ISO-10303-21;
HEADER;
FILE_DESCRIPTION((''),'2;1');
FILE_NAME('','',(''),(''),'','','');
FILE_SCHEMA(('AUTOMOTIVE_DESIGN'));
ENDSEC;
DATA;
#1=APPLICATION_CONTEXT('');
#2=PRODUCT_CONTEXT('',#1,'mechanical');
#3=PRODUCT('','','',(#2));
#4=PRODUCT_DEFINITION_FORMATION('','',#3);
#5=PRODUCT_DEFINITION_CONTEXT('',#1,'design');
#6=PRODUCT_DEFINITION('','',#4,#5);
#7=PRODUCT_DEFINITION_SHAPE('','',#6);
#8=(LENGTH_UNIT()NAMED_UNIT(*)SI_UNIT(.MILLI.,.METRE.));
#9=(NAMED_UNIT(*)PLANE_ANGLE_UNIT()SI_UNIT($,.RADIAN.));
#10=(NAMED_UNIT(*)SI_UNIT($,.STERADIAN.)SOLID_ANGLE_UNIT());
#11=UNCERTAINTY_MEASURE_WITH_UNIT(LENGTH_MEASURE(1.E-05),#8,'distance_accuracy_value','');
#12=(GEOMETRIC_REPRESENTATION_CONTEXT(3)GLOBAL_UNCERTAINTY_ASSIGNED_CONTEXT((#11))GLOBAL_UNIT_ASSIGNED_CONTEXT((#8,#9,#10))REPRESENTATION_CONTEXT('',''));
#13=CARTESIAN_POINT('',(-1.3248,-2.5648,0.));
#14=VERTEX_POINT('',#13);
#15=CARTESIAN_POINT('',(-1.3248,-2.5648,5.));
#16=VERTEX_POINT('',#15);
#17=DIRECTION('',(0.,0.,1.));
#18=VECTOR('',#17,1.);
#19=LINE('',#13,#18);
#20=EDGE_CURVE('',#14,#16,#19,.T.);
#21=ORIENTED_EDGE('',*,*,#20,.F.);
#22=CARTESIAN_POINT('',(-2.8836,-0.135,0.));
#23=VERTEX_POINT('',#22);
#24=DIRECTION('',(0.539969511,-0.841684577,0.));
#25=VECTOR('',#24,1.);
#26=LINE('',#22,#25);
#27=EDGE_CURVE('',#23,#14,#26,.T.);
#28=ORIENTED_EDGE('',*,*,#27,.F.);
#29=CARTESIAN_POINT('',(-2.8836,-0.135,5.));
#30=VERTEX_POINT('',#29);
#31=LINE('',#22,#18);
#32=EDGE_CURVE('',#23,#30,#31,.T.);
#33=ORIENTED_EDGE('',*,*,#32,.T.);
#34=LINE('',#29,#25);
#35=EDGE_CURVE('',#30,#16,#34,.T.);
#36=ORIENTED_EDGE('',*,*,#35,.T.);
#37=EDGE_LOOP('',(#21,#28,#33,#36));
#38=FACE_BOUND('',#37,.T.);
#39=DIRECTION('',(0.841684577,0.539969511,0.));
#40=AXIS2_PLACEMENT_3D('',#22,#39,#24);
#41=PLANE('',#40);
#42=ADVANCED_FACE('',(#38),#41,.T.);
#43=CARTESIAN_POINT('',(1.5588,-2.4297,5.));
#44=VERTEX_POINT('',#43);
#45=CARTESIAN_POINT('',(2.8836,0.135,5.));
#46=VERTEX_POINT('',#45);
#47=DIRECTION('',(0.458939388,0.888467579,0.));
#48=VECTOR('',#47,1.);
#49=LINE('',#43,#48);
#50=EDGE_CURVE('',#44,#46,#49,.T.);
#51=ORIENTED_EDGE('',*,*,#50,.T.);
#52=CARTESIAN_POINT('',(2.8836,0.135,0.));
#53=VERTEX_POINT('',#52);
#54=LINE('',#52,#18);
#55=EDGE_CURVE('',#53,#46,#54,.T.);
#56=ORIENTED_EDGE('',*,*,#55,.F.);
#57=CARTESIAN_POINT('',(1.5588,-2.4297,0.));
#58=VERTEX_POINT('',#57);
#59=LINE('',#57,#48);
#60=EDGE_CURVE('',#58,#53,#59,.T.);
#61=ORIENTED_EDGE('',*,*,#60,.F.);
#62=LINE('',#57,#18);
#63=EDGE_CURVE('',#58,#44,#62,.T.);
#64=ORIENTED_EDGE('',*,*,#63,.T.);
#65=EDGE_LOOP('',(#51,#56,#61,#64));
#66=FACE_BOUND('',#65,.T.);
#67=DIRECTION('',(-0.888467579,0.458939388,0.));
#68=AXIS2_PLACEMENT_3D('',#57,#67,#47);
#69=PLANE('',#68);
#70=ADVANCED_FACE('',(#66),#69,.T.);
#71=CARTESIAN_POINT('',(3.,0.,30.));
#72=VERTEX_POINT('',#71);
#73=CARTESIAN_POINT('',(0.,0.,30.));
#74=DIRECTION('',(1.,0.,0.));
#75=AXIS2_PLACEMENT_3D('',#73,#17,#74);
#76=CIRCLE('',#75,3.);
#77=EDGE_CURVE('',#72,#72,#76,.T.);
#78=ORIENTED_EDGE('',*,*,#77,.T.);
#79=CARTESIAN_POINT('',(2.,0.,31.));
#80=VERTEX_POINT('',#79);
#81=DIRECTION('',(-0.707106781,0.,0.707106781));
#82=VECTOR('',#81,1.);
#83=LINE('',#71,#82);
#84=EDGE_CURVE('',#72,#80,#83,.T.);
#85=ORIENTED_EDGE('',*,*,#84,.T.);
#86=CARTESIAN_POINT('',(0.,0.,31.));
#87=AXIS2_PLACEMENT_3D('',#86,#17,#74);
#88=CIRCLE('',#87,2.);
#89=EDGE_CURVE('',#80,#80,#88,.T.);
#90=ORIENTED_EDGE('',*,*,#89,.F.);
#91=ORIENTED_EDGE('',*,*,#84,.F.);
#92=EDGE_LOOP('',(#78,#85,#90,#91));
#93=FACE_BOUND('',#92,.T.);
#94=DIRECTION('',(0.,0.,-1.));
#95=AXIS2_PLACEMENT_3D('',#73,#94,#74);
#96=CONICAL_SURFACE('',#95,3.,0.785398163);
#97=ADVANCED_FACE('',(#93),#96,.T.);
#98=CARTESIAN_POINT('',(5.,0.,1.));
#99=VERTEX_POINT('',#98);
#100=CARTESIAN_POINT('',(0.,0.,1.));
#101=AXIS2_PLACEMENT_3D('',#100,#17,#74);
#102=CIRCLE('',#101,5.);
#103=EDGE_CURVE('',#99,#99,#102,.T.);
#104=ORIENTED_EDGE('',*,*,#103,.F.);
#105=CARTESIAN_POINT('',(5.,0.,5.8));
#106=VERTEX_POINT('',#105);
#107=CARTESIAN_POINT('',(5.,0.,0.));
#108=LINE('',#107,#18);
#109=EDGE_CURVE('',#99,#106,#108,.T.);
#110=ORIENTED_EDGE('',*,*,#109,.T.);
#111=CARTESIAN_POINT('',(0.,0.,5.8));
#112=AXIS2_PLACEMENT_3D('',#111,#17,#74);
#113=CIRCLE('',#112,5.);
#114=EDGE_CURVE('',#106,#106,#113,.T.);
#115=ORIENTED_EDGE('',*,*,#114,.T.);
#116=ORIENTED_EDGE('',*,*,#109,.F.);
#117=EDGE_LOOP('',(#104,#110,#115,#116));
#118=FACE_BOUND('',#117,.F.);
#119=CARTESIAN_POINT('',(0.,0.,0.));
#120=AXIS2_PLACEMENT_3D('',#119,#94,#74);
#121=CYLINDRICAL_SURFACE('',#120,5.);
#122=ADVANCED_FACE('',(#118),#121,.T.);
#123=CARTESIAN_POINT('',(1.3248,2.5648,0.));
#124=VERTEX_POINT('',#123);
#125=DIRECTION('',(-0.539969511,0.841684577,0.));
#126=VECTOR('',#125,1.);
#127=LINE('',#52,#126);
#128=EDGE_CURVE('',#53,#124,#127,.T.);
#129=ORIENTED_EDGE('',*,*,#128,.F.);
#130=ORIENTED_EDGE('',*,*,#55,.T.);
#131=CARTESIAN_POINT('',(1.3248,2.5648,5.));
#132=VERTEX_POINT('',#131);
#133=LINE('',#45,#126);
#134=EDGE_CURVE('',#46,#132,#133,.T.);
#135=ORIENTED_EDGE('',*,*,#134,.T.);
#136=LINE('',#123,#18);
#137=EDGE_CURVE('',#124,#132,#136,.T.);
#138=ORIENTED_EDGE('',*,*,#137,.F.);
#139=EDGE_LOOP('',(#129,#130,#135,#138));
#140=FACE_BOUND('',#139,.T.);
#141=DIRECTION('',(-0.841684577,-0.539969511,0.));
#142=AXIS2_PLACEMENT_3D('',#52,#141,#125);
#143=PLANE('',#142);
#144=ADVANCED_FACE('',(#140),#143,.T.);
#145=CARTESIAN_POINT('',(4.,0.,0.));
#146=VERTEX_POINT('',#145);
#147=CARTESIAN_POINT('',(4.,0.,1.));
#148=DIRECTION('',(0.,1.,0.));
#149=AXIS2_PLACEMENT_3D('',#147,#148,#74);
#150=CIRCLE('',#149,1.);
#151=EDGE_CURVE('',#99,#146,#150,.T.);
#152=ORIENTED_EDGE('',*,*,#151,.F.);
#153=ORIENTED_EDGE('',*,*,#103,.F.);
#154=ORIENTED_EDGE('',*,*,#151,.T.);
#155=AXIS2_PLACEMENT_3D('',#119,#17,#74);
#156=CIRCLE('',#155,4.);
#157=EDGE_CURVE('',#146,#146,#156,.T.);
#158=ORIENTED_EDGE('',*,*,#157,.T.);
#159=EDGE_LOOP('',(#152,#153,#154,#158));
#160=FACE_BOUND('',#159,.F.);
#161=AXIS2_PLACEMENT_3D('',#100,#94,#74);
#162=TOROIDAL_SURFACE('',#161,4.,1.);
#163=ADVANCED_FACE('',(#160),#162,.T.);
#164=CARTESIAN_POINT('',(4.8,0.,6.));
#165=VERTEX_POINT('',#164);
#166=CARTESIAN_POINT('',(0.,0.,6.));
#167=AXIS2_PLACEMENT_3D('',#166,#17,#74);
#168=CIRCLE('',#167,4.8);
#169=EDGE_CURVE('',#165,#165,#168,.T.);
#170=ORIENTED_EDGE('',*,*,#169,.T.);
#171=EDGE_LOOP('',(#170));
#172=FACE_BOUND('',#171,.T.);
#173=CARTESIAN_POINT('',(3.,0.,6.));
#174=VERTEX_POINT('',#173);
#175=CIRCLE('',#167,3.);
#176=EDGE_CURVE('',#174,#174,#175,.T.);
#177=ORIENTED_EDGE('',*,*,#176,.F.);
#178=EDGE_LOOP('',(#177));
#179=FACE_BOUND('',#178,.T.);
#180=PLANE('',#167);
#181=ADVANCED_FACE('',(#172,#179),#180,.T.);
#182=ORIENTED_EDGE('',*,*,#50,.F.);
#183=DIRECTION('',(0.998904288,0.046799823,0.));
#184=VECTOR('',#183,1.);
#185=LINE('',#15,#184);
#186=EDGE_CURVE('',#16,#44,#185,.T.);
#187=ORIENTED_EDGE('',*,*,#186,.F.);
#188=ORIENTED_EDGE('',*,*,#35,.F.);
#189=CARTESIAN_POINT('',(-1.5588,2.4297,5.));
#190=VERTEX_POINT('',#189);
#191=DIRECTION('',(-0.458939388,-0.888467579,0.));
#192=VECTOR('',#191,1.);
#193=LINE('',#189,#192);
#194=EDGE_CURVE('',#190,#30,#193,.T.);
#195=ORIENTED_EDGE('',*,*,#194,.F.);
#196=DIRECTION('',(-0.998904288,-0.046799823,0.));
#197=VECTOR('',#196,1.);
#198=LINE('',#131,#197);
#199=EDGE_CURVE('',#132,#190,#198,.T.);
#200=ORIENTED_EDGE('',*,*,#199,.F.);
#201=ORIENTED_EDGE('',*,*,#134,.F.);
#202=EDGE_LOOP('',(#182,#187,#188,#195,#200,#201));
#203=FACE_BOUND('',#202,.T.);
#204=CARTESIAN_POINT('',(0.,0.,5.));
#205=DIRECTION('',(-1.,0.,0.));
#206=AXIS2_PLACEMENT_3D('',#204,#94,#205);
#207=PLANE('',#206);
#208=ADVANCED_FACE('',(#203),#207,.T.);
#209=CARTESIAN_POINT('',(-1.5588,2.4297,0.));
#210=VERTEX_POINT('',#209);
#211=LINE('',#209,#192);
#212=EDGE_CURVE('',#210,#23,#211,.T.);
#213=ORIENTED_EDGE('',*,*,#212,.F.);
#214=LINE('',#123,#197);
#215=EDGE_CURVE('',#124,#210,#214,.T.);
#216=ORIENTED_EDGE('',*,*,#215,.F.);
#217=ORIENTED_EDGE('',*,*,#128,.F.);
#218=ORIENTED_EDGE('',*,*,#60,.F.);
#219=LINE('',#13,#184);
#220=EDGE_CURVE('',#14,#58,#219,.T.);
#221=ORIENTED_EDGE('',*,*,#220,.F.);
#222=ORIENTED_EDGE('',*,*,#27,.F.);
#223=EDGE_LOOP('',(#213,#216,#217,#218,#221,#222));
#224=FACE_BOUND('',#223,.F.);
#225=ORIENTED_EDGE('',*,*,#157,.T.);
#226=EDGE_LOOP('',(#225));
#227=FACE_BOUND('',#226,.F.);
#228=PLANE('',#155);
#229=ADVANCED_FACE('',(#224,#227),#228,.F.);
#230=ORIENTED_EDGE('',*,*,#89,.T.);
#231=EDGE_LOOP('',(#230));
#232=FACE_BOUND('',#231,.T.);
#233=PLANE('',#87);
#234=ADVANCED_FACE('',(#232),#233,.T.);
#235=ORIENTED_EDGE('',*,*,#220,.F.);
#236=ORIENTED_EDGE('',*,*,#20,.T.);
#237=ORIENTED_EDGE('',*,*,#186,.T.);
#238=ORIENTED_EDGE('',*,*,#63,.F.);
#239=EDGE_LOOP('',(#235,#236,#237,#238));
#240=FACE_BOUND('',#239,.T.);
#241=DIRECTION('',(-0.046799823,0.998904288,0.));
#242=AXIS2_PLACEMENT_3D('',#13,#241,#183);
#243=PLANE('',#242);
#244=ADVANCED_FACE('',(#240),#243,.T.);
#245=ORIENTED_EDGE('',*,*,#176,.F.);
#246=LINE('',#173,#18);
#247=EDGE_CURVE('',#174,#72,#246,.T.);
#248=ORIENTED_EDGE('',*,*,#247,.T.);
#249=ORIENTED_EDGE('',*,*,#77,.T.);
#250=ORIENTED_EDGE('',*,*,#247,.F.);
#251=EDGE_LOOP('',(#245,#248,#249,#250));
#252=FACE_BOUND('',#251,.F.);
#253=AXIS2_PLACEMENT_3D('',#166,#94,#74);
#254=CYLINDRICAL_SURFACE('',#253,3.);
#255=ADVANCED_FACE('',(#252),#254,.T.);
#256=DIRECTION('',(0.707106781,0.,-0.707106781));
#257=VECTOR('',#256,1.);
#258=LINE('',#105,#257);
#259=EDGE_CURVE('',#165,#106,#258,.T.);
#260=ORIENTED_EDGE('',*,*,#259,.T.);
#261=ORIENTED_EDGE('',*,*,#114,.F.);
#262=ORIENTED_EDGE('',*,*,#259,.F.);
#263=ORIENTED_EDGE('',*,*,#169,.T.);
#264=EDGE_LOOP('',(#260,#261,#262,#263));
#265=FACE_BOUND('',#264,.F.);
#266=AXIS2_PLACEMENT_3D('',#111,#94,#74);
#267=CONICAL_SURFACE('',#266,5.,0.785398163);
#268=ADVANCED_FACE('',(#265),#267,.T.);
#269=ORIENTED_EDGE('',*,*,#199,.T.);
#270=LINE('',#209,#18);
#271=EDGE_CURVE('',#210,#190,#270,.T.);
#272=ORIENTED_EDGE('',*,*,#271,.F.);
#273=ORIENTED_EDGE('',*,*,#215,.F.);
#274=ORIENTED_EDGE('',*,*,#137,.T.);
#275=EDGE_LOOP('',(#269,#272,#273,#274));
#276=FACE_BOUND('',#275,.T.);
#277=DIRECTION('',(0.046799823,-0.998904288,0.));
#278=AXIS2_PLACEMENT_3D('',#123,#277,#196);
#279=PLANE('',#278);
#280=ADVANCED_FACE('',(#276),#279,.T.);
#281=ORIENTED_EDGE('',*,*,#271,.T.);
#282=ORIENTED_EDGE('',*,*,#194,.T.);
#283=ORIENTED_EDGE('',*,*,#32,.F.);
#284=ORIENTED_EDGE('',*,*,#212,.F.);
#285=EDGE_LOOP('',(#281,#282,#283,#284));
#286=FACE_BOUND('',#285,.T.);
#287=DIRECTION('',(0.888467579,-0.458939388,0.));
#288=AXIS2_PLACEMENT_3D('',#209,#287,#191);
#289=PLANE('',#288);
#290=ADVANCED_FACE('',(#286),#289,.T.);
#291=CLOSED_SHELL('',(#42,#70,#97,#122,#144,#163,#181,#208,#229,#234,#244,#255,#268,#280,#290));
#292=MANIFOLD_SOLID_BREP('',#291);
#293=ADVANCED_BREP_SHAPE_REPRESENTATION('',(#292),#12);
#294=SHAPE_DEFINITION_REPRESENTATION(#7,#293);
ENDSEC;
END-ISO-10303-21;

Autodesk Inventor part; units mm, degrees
ref_plane "YZ Plane" through (0, 0, 0) normal (1, 0, 0) x (0, 1, 0)
ref_plane "XZ Plane" through (0, 0, 0) normal (0, 1, 0) x (-1, 0, 0)
ref_plane "XY Plane" through (0, 0, 0) normal (0, 0, 1) x (1, 0, 0)
sketch "Sketch1" plane through (0, 0, 0) normal (0, 0, 1) x (1, 0, 0)
  circle A0 centre (0, 0) radius 5
  dimension "d0" = 10
extrude "Extrusion1" add sketch "Sketch1" along normal blind 6
sketch "Sketch2" plane through (0, 0, 6) normal (0, 0, 1) x (1, 0, 0)
  circle A0 centre (0, 0) radius 5 projected
  circle A1 centre (0, 0) radius 3
  dimension "d3" = 6
extrude "Extrusion2" add sketch "Sketch2" along normal blind 25 contours A1
thread "Thread1" size "M6x1" class "6g" standard "ANSI Metric M Profile" full length
chamfer "Chamfer1" distance 1 angle 45 1 edges at (-3, 0, 31)
chamfer "Chamfer2" distance 0.2 angle 45 1 edges at (-5, 0, 6)
fillet "Fillet1" radius 1 1 edges at (-5, 0, 0)
sketch "Sketch3" plane through (0, 0, 0) normal (0, 0, -1) x (-1, 0, 0)
  circle A0 centre (0, 0) radius 4 projected
  line L0 (1.5588, 2.4297) -> (2.8836, -0.135)
  line L1 (2.8836, -0.135) -> (1.3248, -2.5648)
  line L2 (1.3248, -2.5648) -> (-1.5588, -2.4297)
  line L3 (-1.5588, -2.4297) -> (-2.8836, 0.135)
  line L4 (-2.8836, 0.135) -> (-1.3248, 2.5648)
  line L5 (-1.3248, 2.5648) -> (1.5588, 2.4297)
  dimension "d15" = 5
extrude "Extrusion3" cut sketch "Sketch3" against normal blind 5 contours L0 L1 L2 L3 L4 L5
properties part number "PERNO PARKER M6"
